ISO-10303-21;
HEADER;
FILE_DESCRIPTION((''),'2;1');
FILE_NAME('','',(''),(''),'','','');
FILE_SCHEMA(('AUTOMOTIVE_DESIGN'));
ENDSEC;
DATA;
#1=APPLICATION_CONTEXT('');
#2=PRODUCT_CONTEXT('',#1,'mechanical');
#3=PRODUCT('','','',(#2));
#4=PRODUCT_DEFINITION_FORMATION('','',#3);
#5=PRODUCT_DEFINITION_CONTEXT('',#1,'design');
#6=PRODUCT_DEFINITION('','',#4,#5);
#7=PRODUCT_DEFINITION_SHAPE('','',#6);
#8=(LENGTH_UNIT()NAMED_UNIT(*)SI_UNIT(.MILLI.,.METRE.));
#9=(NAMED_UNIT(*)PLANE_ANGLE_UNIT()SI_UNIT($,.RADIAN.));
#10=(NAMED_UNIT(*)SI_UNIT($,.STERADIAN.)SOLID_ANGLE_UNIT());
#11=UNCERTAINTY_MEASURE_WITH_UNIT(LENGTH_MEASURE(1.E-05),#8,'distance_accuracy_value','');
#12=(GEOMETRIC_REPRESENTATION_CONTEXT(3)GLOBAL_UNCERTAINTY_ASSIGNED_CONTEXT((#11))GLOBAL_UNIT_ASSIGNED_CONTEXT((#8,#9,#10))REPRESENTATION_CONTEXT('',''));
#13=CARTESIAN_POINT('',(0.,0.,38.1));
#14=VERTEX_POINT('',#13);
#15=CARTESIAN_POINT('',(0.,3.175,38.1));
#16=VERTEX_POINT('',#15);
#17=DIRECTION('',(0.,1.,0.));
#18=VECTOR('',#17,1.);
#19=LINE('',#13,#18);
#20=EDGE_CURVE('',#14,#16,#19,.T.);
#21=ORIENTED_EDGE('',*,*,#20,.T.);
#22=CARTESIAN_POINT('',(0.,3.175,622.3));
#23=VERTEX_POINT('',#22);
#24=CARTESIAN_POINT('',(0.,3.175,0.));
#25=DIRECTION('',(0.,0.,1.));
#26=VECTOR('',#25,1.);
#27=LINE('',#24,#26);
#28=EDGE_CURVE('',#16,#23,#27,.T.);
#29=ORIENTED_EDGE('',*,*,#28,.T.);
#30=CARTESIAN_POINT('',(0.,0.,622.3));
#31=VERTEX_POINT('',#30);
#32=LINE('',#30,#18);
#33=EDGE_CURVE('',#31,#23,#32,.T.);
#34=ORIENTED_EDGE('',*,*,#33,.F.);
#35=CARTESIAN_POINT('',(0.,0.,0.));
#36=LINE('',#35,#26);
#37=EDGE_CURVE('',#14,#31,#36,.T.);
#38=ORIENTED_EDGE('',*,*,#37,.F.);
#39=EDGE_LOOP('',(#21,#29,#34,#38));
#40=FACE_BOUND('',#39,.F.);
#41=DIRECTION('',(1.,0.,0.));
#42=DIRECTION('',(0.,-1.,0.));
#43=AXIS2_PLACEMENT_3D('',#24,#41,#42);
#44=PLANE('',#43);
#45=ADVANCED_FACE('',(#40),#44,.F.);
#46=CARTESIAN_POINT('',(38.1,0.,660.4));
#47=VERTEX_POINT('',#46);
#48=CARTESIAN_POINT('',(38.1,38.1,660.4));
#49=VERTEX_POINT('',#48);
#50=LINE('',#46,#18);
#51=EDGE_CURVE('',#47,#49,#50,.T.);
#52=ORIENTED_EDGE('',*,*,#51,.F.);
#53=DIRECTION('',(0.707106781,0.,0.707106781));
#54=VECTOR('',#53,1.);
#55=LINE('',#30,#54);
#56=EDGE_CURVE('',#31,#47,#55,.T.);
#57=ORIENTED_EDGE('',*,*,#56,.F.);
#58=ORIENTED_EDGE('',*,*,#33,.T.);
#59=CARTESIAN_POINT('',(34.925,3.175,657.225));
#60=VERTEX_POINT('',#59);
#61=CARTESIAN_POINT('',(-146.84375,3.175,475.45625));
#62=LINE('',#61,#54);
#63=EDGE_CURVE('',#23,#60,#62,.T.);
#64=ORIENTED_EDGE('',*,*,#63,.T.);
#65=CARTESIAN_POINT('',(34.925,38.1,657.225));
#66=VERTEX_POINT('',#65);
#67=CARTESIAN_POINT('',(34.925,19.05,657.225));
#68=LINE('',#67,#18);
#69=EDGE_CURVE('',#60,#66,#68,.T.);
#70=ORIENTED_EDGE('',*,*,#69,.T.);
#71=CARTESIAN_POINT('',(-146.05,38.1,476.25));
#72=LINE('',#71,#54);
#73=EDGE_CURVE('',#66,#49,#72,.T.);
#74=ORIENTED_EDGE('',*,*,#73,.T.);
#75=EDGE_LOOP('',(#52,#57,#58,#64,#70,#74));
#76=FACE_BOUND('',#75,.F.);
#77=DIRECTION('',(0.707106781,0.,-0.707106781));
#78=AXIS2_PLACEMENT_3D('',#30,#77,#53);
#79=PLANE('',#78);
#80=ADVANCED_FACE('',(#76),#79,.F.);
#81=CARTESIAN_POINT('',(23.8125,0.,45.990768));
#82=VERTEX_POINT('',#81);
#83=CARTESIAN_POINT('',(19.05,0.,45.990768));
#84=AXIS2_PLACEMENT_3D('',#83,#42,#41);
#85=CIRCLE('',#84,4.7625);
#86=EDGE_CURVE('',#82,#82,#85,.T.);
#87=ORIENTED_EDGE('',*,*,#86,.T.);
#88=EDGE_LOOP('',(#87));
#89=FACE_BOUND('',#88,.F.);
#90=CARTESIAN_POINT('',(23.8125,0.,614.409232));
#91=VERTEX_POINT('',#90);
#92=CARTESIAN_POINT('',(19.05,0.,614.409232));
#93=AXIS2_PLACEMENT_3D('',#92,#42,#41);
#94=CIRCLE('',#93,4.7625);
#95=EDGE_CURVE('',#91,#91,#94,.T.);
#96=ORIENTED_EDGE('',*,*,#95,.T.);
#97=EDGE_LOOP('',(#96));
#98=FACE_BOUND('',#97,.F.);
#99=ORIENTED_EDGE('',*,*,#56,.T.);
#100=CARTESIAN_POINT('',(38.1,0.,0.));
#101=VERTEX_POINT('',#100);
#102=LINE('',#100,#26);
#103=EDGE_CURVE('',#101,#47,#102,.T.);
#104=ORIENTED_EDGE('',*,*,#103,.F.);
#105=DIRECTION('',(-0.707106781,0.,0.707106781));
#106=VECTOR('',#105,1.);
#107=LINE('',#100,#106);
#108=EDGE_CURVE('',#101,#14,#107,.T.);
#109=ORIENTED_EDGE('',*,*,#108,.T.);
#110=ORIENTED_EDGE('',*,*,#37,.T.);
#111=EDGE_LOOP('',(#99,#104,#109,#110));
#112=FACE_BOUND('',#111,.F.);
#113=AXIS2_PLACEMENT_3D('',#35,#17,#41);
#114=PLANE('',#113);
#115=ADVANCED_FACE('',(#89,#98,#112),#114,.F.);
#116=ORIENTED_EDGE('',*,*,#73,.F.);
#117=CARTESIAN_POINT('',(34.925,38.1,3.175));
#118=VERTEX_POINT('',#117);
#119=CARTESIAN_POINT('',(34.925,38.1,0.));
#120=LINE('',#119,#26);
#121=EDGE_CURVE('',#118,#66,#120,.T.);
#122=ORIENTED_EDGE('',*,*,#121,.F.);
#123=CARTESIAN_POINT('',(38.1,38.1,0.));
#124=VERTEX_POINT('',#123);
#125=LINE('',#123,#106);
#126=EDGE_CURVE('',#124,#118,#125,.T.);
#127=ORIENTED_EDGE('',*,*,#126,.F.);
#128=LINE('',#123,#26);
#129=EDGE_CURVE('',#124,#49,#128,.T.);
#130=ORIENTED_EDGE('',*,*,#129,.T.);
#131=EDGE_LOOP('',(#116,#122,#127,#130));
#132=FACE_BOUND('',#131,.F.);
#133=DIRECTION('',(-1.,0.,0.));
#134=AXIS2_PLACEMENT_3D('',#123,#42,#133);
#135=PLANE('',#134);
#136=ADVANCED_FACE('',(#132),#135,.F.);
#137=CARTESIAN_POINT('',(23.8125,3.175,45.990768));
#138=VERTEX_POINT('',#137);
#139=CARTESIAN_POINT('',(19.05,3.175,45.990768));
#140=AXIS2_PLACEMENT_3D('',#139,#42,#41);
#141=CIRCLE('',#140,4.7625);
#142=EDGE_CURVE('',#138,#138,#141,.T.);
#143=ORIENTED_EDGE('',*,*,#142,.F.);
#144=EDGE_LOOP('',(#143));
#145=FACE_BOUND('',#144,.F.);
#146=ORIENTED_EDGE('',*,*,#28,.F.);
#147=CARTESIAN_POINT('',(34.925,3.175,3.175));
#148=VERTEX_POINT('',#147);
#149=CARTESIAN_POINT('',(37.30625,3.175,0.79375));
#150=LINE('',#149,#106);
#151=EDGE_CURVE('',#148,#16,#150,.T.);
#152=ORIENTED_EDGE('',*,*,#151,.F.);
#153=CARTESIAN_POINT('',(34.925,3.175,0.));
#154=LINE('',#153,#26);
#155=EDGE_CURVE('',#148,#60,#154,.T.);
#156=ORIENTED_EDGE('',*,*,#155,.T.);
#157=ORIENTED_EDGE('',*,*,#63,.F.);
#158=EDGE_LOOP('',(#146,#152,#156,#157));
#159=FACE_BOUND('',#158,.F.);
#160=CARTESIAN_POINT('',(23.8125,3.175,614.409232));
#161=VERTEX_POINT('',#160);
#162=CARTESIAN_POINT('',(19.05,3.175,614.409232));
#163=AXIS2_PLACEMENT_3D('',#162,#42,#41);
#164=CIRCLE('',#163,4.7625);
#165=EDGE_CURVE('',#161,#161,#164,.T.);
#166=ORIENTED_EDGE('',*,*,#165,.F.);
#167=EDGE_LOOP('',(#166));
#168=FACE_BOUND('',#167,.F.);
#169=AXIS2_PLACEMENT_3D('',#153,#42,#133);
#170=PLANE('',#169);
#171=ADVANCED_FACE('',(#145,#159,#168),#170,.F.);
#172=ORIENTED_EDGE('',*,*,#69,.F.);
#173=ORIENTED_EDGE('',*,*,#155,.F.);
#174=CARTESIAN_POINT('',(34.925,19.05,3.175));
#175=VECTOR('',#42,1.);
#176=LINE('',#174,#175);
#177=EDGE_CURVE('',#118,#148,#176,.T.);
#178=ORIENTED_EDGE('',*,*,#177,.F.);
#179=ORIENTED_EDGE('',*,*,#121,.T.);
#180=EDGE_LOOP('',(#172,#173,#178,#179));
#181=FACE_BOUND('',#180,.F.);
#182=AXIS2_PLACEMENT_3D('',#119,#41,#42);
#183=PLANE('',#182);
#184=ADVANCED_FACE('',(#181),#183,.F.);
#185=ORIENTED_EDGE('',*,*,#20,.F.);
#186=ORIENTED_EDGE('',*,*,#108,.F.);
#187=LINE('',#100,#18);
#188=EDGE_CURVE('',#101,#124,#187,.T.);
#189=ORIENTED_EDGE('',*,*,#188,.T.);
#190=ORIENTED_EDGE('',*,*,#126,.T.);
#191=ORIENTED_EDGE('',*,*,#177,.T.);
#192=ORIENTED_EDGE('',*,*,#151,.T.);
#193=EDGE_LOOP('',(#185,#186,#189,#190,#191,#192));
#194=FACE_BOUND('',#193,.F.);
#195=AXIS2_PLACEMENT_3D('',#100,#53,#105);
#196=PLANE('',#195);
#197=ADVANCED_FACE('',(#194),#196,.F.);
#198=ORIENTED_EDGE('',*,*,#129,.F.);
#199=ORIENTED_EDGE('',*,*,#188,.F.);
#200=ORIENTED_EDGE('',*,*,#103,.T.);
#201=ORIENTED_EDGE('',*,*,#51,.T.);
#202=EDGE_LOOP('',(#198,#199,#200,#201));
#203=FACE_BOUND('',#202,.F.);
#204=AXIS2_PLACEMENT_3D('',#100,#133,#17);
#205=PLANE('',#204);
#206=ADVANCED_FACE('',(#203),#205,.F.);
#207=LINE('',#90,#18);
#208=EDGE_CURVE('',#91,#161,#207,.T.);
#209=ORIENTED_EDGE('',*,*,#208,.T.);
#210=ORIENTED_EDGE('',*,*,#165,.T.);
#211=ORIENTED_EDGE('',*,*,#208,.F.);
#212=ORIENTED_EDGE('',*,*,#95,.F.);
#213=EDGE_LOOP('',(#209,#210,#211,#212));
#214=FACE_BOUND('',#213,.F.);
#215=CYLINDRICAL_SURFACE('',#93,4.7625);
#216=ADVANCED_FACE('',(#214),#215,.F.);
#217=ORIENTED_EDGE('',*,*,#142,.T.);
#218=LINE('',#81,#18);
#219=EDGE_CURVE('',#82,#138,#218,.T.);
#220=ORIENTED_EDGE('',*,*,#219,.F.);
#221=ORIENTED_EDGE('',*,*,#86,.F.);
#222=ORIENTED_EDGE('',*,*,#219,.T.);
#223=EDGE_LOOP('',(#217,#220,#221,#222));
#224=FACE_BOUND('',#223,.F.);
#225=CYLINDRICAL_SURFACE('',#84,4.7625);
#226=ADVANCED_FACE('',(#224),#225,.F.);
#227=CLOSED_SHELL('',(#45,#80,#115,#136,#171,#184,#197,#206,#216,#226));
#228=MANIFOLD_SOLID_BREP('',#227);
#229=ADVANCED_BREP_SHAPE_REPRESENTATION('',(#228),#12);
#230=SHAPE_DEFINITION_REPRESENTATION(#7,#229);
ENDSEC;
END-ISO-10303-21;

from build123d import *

# Parameters (mm, degrees)
F1_DEPTH = 660.4
F3_DEPTH = 38.101
F4_R     = 4.7625
F5_DEPTH = 38.101


with BuildPart() as f1:
    # F0 (on Top) → F1 (new body)
    with BuildSketch(Plane.XY):
        Polygon((0, 3.175), (0, 0), (38.1, 0), (38.1, 38.1), (34.925, 38.1), (34.925, 3.175), align=None)
    extrude(amount=F1_DEPTH)

    # F2 (on face) → F3 (cut, through all)
    with BuildSketch(Plane.XZ):
        Polygon((0, 622.3), (38.1, 660.4), (0, 660.4), align=None)
        Polygon((0, 0), (38.1, 0), (0, 38.1), align=None)
    extrude(amount=-F3_DEPTH, mode=Mode.SUBTRACT)

    # F4 (on face) → F5 (cut, through all)
    with BuildSketch(Plane.XZ):
        with Locations((19.05, 45.990768)):
            Circle(F4_R)
        with Locations((19.05, 614.409232)):
            Circle(F4_R)
    extrude(amount=-F5_DEPTH, mode=Mode.SUBTRACT)


solid = f1.part
